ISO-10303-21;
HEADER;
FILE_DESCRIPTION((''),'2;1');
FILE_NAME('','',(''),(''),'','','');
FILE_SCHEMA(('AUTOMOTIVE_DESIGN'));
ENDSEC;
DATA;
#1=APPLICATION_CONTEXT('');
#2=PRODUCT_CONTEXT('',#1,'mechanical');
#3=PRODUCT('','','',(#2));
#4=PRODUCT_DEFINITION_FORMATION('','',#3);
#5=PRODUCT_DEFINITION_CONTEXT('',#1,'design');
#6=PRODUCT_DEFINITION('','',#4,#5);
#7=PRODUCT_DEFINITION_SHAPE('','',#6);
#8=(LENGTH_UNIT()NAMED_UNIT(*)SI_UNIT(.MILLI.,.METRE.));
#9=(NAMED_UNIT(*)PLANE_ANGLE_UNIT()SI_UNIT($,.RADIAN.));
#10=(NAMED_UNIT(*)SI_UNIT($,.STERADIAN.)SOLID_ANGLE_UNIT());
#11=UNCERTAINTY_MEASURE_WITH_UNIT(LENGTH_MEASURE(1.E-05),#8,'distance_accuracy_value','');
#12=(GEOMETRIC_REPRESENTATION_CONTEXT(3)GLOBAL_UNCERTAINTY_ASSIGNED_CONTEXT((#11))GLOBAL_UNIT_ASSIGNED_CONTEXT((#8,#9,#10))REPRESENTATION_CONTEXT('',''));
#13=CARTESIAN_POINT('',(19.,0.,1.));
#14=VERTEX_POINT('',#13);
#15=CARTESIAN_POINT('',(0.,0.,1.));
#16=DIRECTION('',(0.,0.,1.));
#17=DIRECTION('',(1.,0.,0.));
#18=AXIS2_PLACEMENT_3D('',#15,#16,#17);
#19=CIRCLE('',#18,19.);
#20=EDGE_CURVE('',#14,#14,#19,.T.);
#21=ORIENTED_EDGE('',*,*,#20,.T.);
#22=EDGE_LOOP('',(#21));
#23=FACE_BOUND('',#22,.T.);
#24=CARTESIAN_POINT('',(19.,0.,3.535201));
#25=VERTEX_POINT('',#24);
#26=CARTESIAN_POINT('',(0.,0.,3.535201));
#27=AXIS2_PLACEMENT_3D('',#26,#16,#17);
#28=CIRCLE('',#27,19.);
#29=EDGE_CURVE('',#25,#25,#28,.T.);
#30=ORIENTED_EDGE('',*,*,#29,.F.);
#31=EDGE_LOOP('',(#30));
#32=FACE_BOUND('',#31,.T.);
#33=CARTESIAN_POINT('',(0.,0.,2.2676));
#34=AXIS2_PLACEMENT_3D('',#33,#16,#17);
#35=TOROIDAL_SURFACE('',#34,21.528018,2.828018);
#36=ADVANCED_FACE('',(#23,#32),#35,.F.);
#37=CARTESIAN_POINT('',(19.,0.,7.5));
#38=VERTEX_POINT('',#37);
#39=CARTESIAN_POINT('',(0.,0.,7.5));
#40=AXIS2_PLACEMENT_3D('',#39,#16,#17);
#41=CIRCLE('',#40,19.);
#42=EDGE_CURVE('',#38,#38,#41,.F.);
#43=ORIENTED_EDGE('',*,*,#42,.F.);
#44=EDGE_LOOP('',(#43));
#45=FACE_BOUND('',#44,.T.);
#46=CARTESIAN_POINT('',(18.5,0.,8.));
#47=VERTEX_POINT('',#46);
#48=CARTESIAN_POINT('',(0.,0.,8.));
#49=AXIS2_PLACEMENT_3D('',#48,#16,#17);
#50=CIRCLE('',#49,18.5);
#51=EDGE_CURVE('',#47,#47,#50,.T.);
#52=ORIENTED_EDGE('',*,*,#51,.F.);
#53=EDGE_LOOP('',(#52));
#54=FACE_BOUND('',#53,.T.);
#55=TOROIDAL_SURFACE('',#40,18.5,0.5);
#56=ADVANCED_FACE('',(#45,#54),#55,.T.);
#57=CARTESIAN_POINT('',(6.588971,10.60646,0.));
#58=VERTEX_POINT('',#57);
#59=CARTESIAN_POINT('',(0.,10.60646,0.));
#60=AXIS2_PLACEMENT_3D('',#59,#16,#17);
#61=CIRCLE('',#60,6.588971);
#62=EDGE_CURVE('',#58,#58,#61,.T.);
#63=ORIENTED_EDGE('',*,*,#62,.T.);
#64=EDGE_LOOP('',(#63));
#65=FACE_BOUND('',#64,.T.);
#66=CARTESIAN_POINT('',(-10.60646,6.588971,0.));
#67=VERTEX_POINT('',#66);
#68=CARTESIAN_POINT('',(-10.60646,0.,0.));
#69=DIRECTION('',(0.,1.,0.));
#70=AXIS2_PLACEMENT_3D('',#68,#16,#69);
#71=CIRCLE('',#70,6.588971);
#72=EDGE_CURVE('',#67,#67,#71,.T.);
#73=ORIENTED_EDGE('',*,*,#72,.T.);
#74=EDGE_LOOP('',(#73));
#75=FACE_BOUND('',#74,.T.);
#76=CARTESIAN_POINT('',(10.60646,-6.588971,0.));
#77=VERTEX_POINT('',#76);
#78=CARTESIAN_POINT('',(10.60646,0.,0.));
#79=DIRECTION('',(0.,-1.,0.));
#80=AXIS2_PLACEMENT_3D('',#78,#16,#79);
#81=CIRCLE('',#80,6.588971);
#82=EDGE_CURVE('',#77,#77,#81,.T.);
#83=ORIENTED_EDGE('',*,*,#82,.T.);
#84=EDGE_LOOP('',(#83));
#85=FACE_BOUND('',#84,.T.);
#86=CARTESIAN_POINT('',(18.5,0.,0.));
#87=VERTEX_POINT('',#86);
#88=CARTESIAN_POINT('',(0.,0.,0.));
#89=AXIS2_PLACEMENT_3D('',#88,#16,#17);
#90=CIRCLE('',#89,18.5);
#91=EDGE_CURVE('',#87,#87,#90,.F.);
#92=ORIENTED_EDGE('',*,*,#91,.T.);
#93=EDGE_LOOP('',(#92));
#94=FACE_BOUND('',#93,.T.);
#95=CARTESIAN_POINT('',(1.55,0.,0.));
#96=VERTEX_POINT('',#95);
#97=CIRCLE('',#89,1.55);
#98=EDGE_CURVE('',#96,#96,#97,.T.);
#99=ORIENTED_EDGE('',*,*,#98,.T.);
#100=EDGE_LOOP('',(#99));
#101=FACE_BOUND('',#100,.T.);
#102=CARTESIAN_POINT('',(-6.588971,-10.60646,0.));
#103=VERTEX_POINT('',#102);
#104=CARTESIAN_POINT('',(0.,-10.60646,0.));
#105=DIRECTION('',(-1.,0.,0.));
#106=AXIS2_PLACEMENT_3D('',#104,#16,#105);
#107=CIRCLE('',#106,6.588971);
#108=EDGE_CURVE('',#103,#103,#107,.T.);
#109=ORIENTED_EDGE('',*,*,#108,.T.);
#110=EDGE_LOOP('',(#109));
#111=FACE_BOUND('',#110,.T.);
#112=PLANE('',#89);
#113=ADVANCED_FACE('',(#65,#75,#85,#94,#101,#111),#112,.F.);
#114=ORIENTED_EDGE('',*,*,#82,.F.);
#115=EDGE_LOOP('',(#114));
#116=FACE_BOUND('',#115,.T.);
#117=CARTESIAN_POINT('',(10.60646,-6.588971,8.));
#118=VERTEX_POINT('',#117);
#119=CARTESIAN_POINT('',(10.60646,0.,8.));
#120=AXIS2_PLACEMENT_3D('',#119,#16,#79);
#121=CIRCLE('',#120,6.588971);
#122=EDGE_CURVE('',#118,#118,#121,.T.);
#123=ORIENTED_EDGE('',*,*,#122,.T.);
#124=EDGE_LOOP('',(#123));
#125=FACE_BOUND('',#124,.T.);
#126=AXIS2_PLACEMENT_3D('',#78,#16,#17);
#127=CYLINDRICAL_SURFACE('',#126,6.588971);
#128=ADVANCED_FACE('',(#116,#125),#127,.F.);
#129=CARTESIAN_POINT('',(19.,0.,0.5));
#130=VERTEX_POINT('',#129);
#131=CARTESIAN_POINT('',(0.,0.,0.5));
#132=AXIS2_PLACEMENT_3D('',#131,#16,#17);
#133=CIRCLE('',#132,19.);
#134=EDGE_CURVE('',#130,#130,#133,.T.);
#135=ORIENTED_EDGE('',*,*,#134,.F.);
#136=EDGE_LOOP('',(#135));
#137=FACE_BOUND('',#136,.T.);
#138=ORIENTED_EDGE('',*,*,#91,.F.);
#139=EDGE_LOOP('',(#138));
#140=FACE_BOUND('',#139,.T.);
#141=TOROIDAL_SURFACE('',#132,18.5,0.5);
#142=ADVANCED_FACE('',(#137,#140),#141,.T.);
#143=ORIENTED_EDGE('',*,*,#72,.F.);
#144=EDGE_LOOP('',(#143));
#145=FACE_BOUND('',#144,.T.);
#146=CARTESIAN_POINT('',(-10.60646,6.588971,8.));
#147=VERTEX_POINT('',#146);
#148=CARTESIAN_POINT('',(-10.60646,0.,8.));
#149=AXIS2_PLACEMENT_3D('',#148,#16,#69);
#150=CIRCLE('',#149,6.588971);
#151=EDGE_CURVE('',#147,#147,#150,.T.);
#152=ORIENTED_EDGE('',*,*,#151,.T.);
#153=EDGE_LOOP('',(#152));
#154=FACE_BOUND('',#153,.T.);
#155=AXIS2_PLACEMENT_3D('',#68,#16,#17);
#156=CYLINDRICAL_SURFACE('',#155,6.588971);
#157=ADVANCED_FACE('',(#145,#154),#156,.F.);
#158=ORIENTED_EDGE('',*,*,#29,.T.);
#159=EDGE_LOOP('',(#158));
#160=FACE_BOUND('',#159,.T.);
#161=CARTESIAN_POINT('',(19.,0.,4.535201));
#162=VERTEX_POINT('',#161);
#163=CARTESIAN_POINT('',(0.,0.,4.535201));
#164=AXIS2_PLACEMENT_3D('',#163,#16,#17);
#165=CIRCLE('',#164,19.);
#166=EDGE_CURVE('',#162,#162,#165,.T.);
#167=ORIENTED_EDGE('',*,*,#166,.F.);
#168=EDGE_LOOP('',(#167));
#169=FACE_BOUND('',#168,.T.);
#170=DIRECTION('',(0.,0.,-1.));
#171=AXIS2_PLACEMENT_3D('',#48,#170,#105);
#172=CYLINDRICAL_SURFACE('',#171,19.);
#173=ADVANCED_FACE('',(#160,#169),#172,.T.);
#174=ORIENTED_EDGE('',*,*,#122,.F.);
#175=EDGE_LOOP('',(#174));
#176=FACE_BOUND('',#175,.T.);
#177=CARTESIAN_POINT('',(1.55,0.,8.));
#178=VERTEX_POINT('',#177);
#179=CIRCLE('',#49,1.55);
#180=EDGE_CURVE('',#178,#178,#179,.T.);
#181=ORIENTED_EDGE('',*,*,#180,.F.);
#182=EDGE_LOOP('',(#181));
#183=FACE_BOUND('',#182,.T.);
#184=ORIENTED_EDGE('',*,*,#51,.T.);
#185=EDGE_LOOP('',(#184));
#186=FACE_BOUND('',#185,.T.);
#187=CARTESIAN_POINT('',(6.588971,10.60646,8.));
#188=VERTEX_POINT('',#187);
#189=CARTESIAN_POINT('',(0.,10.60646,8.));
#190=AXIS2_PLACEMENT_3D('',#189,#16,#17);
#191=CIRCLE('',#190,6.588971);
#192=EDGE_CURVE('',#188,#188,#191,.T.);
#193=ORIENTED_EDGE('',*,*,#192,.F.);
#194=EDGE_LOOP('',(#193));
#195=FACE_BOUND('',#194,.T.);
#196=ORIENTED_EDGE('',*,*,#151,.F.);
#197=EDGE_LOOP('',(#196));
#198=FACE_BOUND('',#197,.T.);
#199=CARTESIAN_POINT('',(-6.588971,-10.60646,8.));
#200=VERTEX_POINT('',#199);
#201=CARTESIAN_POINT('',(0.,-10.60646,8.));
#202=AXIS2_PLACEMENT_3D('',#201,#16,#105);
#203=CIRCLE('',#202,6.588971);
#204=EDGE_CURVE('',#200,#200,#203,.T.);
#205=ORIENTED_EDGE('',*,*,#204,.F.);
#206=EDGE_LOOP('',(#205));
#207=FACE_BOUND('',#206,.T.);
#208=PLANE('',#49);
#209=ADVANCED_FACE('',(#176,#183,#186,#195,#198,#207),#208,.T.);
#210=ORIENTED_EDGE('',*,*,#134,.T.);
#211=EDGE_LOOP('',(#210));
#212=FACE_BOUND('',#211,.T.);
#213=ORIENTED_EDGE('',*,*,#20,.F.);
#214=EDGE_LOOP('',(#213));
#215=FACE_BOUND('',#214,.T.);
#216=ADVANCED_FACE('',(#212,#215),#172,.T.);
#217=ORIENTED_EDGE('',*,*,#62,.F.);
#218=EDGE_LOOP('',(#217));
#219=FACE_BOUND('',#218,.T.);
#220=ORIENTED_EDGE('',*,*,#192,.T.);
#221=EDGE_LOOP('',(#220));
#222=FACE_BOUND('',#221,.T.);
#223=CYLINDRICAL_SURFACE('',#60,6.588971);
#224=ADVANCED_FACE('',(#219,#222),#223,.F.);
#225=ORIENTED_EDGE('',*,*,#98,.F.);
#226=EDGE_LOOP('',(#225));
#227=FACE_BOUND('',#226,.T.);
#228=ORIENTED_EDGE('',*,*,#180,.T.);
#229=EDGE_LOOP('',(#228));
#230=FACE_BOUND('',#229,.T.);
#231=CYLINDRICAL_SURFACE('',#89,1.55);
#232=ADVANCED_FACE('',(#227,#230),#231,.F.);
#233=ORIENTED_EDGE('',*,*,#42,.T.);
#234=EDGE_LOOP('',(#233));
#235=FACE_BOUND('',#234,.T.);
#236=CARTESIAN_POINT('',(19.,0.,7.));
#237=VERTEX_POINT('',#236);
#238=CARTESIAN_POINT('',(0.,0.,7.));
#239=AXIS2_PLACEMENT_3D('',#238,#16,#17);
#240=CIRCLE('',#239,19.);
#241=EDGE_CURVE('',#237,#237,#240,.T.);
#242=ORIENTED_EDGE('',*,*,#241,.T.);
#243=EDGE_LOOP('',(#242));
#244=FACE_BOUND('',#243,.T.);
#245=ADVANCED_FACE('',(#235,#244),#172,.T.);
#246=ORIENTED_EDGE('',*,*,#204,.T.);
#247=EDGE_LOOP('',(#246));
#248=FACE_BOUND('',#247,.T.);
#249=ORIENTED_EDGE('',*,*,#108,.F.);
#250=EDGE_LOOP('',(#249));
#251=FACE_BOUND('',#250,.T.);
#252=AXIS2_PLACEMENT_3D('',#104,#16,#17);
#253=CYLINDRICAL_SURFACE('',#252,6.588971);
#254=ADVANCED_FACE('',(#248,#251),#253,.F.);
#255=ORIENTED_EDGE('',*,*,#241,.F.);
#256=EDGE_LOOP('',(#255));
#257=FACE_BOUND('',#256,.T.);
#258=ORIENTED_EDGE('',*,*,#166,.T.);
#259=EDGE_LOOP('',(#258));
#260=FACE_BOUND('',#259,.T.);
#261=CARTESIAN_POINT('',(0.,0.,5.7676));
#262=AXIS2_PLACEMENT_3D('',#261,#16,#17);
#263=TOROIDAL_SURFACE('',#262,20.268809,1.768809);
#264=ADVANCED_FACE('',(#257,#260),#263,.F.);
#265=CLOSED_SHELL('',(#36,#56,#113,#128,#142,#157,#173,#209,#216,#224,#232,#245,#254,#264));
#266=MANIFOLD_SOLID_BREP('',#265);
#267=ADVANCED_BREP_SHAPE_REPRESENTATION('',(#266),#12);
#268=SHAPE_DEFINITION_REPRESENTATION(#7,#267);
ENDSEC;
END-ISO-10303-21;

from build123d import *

# Parameters (mm, degrees)
SKETCH1_R           = 19
BOSS_EXTRUDE1_DEPTH = 8
FILLET1_R           = 0.5
SKETCH3_R           = 1.55
CUT_EXTRUDE1_DEPTH  = 8
SKETCH4_R           = 6.58897104
CUT_EXTRUDE2_DEPTH  = 8
CIRPATTERN1_COUNT   = 4


with BuildPart() as part:
    # Sketch1 → Boss-Extrude1 (new body)
    with BuildSketch(Plane.XY):
        Circle(SKETCH1_R)
    extrude(amount=BOSS_EXTRUDE1_DEPTH)

    # Sketch2 → Cut-Revolve1 (revolve, cut)
    with BuildSketch(Plane(origin=(0, 0, 0), x_dir=(0, 0, -1), z_dir=(1, 0, 0))):
        with BuildLine():
            Line((-7, 19), (-4.535200691, 19))
            ThreePointArc((-4.535200691, 19), (-5.767600345, 18.5), (-7, 19))
        make_face()
        with BuildLine():
            Line((-3.535200691, 19), (-1, 19))
            ThreePointArc((-1, 19), (-2.267600345, 18.7), (-3.535200691, 19))
        make_face()
    revolve(axis=Axis((0, 0, 8.4), (0, 0, -1)), mode=Mode.SUBTRACT)

    # Fillet1
    fillet1_edges = [part.edges().sort_by_distance(p)[0] for p in [
        (-19, 0, 0),
        (-19, 0, 8),
    ]]
    fillet(fillet1_edges, radius=FILLET1_R)

    # Sketch3 → Cut-Extrude1 (cut)
    with BuildSketch(Plane.XY.offset(8)):
        Circle(SKETCH3_R)
    extrude(amount=-CUT_EXTRUDE1_DEPTH, mode=Mode.SUBTRACT)

    # Sketch4 → Cut-Extrude2 (cut)
    with BuildSketch(Plane.XY.offset(8)):
        with Locations((0, 10.60646011)):
            Circle(SKETCH4_R)
    cut_extrude2 = extrude(amount=-CUT_EXTRUDE2_DEPTH, mode=Mode.SUBTRACT)

    # CirPattern1: Cut-Extrude2 ×4 about axis
    cirpattern1_axis = Axis((0, 0, 0), (0, 0, 1))
    for i in range(1, CIRPATTERN1_COUNT):
        add(cut_extrude2.rotate(cirpattern1_axis, i * 360 / CIRPATTERN1_COUNT), mode=Mode.SUBTRACT)


solid = part.part
